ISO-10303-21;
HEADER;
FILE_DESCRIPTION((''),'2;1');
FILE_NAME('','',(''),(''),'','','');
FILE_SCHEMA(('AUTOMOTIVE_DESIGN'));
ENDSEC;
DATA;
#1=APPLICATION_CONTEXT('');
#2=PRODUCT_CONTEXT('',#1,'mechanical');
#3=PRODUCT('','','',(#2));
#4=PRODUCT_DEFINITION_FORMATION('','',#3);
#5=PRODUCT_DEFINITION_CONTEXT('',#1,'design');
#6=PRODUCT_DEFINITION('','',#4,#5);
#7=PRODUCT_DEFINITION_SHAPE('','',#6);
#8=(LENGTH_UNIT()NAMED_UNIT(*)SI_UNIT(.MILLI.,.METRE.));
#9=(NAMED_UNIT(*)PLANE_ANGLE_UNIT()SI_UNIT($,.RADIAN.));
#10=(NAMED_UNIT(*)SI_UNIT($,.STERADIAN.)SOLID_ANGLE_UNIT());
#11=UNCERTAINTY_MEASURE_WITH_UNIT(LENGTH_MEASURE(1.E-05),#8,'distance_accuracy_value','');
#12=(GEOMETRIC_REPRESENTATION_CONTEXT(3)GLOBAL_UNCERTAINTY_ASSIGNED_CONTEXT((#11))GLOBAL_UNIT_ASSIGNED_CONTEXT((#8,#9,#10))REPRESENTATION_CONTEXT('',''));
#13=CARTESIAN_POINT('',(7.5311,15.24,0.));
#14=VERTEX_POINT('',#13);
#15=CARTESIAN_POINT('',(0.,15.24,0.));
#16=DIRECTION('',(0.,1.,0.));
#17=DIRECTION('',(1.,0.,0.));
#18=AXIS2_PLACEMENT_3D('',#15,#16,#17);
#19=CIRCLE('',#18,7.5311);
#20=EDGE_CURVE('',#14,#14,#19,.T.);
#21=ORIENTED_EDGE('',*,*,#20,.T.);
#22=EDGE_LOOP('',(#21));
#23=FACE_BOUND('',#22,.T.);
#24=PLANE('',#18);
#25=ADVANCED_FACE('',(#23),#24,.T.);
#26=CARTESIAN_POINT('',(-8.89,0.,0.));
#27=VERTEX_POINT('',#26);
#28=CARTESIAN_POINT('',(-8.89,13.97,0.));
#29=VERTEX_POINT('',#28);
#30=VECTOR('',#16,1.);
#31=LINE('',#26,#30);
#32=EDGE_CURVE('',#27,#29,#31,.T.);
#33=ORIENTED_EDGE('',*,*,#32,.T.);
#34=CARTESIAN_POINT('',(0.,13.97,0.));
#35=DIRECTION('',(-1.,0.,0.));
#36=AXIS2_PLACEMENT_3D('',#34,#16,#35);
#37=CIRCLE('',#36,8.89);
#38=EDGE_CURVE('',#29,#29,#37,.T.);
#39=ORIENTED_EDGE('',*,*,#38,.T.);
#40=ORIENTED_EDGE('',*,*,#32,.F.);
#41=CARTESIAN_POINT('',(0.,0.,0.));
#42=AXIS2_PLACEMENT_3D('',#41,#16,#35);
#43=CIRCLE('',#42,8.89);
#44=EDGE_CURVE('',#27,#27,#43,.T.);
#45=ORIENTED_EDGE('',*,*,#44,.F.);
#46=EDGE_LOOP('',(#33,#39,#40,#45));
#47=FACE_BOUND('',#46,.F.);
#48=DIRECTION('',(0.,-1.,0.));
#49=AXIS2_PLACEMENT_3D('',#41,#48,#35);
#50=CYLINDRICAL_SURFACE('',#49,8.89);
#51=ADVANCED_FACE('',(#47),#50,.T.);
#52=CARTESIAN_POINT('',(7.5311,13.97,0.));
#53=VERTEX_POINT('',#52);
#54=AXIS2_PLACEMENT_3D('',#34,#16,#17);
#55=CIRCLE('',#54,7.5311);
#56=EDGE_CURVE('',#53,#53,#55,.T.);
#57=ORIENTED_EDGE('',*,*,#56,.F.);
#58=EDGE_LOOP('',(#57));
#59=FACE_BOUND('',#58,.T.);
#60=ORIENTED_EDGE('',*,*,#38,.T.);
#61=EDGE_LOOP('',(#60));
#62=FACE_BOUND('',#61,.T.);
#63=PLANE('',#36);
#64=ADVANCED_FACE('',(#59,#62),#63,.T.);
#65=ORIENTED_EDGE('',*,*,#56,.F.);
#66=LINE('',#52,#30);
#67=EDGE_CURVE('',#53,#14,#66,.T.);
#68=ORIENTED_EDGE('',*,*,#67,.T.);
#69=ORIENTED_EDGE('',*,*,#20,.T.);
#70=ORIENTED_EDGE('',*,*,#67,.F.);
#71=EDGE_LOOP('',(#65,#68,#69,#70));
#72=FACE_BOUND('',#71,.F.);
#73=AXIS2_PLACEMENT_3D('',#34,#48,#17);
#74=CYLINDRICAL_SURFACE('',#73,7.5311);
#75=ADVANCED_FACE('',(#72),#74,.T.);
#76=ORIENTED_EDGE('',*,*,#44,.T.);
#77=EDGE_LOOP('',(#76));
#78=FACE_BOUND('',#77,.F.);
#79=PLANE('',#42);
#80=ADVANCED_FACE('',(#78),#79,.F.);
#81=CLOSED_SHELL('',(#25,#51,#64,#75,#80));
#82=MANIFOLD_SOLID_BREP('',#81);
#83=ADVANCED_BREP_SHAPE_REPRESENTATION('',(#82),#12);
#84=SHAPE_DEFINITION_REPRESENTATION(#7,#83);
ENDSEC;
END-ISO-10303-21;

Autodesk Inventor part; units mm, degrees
ref_plane "YZ Plane" through (0, 0, 0) normal (1, 0, 0) x (0, 1, 0)
ref_plane "XZ Plane" through (0, 0, 0) normal (0, 1, 0) x (-1, 0, 0)
ref_plane "XY Plane" through (0, 0, 0) normal (0, 0, 1) x (1, 0, 0)
sketch "Sketch1" plane through (0, 0, 0) normal (0, 1, 0) x (-1, 0, 0)
  circle A0 centre (0, 0) radius 8.89
  dimension "d0" = 17.78
extrude "Extrusion1" add sketch "Sketch1" along normal blind 13.97
sketch "Sketch2" plane through (0, 13.97, 0) normal (0, 1, 0) x (1, 0, 0)
  circle A0 centre (0, 0) radius 7.5311
  dimension "d3" = 15.0622
extrude "Extrusion2" add sketch "Sketch2" along normal blind 1.27
properties part number "11K5014_Knob"
